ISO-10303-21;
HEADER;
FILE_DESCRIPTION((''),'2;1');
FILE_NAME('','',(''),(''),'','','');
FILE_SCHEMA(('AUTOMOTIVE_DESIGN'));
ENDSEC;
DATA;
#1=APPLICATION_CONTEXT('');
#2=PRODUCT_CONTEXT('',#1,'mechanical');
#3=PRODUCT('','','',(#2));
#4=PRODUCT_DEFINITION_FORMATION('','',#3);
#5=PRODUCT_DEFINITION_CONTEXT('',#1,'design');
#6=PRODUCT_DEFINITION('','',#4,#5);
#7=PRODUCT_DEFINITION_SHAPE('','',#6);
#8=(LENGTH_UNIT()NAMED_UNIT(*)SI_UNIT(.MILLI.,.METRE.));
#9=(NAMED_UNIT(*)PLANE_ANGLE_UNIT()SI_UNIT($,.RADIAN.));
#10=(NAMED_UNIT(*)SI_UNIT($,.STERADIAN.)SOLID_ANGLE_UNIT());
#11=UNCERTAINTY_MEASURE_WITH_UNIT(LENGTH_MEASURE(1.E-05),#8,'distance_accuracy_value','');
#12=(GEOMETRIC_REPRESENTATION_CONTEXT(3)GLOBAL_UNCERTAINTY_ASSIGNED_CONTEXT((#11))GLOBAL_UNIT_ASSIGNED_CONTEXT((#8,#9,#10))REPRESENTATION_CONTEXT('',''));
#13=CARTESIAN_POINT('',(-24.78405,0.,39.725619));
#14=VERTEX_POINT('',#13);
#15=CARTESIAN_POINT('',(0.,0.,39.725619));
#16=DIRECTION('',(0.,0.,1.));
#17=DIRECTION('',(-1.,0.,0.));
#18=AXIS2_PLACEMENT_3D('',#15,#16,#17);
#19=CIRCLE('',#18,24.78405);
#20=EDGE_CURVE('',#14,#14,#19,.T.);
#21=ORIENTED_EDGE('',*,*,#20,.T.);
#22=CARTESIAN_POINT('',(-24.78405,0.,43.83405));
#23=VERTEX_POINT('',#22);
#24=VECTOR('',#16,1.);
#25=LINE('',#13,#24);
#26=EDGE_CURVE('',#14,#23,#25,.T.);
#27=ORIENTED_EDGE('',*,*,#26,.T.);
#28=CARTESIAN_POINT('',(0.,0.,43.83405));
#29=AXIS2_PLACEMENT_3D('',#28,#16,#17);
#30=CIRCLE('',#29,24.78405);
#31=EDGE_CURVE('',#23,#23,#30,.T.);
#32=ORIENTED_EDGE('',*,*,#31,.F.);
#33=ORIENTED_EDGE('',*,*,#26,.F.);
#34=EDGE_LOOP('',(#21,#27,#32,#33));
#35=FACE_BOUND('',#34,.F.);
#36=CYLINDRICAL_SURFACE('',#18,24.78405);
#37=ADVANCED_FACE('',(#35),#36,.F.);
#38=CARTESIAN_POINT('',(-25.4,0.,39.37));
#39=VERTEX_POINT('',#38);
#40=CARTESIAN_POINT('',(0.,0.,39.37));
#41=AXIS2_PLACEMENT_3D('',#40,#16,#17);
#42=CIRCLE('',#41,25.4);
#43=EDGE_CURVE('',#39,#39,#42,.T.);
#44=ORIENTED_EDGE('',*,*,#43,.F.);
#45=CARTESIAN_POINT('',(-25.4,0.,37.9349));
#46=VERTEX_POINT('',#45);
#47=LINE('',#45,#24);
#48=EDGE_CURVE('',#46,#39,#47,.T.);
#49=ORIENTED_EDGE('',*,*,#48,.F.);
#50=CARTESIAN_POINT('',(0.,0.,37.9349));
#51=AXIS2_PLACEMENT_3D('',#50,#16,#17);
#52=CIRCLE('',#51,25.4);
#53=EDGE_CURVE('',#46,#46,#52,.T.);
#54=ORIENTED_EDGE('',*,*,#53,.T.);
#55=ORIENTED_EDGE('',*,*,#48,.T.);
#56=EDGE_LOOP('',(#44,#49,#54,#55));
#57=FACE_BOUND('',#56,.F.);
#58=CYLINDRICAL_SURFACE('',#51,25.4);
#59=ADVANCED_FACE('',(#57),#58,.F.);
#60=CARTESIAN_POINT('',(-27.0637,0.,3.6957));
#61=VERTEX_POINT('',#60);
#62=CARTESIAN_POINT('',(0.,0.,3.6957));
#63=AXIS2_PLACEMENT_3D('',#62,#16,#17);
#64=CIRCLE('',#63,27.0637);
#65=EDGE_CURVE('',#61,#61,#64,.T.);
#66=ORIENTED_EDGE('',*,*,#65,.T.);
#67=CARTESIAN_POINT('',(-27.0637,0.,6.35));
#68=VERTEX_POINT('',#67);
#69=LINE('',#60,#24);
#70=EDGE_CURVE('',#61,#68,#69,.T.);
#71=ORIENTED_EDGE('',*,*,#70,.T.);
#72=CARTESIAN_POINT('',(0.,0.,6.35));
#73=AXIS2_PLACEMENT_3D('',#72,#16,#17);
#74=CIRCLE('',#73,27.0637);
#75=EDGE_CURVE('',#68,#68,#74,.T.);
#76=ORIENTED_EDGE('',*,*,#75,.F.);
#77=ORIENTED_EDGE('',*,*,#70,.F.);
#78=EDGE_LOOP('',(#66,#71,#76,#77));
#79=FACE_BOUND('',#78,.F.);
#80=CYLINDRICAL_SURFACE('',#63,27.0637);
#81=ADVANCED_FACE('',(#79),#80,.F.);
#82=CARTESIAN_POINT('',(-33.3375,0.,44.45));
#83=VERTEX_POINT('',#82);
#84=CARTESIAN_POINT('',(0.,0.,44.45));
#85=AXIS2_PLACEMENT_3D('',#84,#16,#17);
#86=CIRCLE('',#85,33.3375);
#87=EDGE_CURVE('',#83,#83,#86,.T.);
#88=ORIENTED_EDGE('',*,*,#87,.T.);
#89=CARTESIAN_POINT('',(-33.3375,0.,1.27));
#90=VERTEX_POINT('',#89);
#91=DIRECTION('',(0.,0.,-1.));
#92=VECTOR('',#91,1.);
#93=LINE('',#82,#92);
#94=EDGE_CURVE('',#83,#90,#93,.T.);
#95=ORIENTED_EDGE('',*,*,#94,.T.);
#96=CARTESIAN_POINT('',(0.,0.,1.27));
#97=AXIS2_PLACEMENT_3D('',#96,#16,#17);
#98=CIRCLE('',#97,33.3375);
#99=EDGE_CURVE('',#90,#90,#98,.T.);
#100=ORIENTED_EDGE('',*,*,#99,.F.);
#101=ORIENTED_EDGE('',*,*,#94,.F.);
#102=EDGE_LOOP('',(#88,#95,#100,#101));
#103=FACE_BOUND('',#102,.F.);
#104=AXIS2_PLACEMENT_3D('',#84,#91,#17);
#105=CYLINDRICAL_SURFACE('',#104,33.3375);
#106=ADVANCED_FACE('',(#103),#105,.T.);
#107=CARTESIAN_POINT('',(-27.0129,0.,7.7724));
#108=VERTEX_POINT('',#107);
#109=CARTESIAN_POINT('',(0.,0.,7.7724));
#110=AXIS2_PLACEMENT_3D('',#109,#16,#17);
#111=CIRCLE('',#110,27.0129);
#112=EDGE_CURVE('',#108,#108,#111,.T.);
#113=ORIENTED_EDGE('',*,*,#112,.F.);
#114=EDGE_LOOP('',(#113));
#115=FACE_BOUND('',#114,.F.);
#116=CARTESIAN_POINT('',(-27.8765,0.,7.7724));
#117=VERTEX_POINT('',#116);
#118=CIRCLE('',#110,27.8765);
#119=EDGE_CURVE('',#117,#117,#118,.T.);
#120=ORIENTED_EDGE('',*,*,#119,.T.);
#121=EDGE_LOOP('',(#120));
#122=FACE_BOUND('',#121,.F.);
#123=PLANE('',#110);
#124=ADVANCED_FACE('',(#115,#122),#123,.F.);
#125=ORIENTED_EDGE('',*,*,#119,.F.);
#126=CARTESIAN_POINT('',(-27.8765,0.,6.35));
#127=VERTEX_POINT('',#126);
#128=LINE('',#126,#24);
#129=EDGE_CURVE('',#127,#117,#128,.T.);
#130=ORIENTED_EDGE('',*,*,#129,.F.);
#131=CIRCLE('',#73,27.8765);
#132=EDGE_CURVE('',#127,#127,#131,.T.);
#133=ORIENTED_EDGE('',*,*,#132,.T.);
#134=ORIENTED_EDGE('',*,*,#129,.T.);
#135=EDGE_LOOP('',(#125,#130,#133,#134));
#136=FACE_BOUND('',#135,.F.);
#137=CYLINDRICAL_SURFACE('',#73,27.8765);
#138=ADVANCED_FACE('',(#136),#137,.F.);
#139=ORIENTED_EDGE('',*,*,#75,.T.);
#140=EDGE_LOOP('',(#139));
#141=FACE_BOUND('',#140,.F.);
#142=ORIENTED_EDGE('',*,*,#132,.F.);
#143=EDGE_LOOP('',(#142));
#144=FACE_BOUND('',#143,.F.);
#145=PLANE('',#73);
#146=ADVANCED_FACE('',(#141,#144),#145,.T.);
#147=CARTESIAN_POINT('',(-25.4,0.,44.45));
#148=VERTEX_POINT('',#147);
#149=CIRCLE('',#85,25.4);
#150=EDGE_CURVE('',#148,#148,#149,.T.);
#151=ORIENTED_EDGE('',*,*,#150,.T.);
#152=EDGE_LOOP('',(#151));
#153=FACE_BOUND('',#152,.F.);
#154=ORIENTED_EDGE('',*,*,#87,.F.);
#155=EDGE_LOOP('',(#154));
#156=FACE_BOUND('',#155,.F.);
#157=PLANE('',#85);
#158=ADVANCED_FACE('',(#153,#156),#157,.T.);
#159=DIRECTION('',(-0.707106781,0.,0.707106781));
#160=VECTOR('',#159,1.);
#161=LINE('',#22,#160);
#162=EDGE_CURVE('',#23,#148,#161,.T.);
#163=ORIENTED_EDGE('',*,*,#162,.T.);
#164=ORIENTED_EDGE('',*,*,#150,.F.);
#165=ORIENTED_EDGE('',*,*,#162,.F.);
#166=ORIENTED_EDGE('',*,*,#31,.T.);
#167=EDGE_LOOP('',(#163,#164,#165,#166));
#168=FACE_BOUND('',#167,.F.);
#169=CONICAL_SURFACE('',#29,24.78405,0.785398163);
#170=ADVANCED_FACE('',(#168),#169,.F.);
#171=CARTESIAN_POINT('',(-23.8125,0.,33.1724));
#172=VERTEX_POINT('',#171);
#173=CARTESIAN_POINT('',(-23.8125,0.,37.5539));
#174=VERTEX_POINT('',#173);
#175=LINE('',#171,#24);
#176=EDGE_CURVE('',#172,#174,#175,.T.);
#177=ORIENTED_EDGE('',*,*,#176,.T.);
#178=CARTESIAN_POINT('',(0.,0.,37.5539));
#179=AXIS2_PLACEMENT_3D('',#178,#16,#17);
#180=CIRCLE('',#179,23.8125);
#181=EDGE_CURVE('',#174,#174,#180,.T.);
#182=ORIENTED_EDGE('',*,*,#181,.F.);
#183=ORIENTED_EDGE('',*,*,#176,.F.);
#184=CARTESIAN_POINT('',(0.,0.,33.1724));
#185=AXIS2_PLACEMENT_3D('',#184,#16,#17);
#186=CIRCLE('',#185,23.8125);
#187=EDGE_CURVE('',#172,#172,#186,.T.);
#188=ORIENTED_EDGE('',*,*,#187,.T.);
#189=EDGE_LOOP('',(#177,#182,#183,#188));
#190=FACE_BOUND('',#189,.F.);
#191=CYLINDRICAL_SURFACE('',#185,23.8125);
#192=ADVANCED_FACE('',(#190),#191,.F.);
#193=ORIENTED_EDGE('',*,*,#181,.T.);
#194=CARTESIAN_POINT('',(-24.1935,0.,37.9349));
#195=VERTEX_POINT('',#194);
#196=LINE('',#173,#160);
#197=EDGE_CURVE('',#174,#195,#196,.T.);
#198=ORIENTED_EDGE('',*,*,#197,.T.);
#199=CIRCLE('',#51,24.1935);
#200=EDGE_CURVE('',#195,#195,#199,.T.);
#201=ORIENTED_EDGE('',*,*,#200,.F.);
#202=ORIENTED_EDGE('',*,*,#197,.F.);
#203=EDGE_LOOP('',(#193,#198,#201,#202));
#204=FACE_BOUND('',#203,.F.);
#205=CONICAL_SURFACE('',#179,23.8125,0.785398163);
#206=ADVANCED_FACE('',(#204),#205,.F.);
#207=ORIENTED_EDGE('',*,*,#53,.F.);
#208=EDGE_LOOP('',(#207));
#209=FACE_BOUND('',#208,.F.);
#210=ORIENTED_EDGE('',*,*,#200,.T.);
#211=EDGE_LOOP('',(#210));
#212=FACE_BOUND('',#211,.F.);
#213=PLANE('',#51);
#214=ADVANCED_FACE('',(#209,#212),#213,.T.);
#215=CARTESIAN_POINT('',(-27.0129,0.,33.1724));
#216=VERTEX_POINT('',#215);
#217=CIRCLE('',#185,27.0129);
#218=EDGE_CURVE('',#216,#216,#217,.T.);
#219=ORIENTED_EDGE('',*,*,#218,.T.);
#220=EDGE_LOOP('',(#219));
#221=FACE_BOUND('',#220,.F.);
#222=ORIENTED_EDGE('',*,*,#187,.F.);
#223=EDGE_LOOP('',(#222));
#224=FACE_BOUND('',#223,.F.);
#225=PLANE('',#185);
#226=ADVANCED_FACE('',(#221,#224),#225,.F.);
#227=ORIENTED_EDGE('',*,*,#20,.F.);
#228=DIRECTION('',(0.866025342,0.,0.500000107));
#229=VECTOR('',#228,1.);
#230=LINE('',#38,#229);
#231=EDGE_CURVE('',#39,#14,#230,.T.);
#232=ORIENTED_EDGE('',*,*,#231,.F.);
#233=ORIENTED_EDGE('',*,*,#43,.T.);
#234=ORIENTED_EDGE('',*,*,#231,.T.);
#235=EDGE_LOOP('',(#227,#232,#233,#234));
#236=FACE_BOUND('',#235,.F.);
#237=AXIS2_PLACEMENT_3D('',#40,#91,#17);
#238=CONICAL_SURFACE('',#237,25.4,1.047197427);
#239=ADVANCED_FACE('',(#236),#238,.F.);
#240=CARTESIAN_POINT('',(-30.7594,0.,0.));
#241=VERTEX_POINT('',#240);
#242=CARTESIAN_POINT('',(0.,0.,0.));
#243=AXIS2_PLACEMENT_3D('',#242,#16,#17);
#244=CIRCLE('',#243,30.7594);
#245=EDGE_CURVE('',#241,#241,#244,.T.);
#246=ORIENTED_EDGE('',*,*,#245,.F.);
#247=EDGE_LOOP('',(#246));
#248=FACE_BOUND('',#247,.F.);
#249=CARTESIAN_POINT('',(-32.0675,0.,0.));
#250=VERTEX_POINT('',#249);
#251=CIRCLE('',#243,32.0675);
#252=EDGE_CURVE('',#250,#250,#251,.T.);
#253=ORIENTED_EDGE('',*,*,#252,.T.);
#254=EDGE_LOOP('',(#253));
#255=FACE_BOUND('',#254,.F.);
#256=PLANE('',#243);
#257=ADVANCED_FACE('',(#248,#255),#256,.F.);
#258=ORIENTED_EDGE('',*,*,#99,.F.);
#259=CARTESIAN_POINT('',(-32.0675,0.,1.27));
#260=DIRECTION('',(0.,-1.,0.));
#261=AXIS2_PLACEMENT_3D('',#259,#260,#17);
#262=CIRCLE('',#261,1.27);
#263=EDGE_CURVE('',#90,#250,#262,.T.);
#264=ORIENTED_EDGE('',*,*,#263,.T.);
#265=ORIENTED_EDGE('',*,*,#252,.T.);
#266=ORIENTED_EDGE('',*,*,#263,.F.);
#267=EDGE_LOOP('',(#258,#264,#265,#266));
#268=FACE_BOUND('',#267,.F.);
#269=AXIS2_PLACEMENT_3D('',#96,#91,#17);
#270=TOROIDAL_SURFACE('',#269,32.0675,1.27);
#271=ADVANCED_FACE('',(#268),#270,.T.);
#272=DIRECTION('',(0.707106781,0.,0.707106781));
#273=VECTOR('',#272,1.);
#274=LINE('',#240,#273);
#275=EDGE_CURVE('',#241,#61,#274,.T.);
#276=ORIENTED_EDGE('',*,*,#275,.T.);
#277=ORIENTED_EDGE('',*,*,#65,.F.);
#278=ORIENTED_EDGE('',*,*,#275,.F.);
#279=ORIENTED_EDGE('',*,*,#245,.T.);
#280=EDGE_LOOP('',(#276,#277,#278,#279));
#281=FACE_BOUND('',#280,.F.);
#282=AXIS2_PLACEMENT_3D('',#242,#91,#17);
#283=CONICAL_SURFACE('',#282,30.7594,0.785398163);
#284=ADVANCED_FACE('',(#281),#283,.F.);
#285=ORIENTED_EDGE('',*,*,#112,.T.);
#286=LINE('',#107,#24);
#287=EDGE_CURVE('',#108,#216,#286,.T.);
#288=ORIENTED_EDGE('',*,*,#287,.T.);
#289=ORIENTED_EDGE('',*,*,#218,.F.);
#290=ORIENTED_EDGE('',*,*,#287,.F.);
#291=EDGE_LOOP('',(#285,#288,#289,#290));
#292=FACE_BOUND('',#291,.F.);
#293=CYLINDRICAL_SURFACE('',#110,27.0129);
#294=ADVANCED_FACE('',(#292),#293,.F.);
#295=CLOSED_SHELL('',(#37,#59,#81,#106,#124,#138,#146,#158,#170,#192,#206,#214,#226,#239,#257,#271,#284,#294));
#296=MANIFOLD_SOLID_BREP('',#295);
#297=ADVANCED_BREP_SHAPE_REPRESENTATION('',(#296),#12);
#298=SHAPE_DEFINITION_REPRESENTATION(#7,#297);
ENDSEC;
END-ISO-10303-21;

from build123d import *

# Parameters (mm, degrees)
F4_R = 1.27


with BuildPart() as f1:
    # F0 (on Front) → F1 (revolve)
    with BuildSketch(Plane.XZ):
        Polygon((-25.4, 44.45), (-33.3375, 44.45), (-33.3375, 0), (-30.7594, 0), (-27.0637, 3.6957), (-27.0637, 6.35), (-27.8765, 6.35), (-27.8765, 7.7724), (-27.0129, 7.7724), (-27.0129, 33.1724), (-23.8125, 33.1724), (-23.8125, 37.5539), (-24.1935, 37.9349), (-25.4, 37.9349), (-25.4, 39.37), (-24.78405, 39.725619), (-24.78405, 43.83405), align=None)
    revolve(axis=Axis((0, 0, 12.346035), (0, 0, 1)))

    # F4
    f4_edges = [f1.edges().sort_by_distance(p)[0] for p in [
        (33.3375, 0, 0),
    ]]
    fillet(f4_edges, radius=F4_R)


solid = f1.part
